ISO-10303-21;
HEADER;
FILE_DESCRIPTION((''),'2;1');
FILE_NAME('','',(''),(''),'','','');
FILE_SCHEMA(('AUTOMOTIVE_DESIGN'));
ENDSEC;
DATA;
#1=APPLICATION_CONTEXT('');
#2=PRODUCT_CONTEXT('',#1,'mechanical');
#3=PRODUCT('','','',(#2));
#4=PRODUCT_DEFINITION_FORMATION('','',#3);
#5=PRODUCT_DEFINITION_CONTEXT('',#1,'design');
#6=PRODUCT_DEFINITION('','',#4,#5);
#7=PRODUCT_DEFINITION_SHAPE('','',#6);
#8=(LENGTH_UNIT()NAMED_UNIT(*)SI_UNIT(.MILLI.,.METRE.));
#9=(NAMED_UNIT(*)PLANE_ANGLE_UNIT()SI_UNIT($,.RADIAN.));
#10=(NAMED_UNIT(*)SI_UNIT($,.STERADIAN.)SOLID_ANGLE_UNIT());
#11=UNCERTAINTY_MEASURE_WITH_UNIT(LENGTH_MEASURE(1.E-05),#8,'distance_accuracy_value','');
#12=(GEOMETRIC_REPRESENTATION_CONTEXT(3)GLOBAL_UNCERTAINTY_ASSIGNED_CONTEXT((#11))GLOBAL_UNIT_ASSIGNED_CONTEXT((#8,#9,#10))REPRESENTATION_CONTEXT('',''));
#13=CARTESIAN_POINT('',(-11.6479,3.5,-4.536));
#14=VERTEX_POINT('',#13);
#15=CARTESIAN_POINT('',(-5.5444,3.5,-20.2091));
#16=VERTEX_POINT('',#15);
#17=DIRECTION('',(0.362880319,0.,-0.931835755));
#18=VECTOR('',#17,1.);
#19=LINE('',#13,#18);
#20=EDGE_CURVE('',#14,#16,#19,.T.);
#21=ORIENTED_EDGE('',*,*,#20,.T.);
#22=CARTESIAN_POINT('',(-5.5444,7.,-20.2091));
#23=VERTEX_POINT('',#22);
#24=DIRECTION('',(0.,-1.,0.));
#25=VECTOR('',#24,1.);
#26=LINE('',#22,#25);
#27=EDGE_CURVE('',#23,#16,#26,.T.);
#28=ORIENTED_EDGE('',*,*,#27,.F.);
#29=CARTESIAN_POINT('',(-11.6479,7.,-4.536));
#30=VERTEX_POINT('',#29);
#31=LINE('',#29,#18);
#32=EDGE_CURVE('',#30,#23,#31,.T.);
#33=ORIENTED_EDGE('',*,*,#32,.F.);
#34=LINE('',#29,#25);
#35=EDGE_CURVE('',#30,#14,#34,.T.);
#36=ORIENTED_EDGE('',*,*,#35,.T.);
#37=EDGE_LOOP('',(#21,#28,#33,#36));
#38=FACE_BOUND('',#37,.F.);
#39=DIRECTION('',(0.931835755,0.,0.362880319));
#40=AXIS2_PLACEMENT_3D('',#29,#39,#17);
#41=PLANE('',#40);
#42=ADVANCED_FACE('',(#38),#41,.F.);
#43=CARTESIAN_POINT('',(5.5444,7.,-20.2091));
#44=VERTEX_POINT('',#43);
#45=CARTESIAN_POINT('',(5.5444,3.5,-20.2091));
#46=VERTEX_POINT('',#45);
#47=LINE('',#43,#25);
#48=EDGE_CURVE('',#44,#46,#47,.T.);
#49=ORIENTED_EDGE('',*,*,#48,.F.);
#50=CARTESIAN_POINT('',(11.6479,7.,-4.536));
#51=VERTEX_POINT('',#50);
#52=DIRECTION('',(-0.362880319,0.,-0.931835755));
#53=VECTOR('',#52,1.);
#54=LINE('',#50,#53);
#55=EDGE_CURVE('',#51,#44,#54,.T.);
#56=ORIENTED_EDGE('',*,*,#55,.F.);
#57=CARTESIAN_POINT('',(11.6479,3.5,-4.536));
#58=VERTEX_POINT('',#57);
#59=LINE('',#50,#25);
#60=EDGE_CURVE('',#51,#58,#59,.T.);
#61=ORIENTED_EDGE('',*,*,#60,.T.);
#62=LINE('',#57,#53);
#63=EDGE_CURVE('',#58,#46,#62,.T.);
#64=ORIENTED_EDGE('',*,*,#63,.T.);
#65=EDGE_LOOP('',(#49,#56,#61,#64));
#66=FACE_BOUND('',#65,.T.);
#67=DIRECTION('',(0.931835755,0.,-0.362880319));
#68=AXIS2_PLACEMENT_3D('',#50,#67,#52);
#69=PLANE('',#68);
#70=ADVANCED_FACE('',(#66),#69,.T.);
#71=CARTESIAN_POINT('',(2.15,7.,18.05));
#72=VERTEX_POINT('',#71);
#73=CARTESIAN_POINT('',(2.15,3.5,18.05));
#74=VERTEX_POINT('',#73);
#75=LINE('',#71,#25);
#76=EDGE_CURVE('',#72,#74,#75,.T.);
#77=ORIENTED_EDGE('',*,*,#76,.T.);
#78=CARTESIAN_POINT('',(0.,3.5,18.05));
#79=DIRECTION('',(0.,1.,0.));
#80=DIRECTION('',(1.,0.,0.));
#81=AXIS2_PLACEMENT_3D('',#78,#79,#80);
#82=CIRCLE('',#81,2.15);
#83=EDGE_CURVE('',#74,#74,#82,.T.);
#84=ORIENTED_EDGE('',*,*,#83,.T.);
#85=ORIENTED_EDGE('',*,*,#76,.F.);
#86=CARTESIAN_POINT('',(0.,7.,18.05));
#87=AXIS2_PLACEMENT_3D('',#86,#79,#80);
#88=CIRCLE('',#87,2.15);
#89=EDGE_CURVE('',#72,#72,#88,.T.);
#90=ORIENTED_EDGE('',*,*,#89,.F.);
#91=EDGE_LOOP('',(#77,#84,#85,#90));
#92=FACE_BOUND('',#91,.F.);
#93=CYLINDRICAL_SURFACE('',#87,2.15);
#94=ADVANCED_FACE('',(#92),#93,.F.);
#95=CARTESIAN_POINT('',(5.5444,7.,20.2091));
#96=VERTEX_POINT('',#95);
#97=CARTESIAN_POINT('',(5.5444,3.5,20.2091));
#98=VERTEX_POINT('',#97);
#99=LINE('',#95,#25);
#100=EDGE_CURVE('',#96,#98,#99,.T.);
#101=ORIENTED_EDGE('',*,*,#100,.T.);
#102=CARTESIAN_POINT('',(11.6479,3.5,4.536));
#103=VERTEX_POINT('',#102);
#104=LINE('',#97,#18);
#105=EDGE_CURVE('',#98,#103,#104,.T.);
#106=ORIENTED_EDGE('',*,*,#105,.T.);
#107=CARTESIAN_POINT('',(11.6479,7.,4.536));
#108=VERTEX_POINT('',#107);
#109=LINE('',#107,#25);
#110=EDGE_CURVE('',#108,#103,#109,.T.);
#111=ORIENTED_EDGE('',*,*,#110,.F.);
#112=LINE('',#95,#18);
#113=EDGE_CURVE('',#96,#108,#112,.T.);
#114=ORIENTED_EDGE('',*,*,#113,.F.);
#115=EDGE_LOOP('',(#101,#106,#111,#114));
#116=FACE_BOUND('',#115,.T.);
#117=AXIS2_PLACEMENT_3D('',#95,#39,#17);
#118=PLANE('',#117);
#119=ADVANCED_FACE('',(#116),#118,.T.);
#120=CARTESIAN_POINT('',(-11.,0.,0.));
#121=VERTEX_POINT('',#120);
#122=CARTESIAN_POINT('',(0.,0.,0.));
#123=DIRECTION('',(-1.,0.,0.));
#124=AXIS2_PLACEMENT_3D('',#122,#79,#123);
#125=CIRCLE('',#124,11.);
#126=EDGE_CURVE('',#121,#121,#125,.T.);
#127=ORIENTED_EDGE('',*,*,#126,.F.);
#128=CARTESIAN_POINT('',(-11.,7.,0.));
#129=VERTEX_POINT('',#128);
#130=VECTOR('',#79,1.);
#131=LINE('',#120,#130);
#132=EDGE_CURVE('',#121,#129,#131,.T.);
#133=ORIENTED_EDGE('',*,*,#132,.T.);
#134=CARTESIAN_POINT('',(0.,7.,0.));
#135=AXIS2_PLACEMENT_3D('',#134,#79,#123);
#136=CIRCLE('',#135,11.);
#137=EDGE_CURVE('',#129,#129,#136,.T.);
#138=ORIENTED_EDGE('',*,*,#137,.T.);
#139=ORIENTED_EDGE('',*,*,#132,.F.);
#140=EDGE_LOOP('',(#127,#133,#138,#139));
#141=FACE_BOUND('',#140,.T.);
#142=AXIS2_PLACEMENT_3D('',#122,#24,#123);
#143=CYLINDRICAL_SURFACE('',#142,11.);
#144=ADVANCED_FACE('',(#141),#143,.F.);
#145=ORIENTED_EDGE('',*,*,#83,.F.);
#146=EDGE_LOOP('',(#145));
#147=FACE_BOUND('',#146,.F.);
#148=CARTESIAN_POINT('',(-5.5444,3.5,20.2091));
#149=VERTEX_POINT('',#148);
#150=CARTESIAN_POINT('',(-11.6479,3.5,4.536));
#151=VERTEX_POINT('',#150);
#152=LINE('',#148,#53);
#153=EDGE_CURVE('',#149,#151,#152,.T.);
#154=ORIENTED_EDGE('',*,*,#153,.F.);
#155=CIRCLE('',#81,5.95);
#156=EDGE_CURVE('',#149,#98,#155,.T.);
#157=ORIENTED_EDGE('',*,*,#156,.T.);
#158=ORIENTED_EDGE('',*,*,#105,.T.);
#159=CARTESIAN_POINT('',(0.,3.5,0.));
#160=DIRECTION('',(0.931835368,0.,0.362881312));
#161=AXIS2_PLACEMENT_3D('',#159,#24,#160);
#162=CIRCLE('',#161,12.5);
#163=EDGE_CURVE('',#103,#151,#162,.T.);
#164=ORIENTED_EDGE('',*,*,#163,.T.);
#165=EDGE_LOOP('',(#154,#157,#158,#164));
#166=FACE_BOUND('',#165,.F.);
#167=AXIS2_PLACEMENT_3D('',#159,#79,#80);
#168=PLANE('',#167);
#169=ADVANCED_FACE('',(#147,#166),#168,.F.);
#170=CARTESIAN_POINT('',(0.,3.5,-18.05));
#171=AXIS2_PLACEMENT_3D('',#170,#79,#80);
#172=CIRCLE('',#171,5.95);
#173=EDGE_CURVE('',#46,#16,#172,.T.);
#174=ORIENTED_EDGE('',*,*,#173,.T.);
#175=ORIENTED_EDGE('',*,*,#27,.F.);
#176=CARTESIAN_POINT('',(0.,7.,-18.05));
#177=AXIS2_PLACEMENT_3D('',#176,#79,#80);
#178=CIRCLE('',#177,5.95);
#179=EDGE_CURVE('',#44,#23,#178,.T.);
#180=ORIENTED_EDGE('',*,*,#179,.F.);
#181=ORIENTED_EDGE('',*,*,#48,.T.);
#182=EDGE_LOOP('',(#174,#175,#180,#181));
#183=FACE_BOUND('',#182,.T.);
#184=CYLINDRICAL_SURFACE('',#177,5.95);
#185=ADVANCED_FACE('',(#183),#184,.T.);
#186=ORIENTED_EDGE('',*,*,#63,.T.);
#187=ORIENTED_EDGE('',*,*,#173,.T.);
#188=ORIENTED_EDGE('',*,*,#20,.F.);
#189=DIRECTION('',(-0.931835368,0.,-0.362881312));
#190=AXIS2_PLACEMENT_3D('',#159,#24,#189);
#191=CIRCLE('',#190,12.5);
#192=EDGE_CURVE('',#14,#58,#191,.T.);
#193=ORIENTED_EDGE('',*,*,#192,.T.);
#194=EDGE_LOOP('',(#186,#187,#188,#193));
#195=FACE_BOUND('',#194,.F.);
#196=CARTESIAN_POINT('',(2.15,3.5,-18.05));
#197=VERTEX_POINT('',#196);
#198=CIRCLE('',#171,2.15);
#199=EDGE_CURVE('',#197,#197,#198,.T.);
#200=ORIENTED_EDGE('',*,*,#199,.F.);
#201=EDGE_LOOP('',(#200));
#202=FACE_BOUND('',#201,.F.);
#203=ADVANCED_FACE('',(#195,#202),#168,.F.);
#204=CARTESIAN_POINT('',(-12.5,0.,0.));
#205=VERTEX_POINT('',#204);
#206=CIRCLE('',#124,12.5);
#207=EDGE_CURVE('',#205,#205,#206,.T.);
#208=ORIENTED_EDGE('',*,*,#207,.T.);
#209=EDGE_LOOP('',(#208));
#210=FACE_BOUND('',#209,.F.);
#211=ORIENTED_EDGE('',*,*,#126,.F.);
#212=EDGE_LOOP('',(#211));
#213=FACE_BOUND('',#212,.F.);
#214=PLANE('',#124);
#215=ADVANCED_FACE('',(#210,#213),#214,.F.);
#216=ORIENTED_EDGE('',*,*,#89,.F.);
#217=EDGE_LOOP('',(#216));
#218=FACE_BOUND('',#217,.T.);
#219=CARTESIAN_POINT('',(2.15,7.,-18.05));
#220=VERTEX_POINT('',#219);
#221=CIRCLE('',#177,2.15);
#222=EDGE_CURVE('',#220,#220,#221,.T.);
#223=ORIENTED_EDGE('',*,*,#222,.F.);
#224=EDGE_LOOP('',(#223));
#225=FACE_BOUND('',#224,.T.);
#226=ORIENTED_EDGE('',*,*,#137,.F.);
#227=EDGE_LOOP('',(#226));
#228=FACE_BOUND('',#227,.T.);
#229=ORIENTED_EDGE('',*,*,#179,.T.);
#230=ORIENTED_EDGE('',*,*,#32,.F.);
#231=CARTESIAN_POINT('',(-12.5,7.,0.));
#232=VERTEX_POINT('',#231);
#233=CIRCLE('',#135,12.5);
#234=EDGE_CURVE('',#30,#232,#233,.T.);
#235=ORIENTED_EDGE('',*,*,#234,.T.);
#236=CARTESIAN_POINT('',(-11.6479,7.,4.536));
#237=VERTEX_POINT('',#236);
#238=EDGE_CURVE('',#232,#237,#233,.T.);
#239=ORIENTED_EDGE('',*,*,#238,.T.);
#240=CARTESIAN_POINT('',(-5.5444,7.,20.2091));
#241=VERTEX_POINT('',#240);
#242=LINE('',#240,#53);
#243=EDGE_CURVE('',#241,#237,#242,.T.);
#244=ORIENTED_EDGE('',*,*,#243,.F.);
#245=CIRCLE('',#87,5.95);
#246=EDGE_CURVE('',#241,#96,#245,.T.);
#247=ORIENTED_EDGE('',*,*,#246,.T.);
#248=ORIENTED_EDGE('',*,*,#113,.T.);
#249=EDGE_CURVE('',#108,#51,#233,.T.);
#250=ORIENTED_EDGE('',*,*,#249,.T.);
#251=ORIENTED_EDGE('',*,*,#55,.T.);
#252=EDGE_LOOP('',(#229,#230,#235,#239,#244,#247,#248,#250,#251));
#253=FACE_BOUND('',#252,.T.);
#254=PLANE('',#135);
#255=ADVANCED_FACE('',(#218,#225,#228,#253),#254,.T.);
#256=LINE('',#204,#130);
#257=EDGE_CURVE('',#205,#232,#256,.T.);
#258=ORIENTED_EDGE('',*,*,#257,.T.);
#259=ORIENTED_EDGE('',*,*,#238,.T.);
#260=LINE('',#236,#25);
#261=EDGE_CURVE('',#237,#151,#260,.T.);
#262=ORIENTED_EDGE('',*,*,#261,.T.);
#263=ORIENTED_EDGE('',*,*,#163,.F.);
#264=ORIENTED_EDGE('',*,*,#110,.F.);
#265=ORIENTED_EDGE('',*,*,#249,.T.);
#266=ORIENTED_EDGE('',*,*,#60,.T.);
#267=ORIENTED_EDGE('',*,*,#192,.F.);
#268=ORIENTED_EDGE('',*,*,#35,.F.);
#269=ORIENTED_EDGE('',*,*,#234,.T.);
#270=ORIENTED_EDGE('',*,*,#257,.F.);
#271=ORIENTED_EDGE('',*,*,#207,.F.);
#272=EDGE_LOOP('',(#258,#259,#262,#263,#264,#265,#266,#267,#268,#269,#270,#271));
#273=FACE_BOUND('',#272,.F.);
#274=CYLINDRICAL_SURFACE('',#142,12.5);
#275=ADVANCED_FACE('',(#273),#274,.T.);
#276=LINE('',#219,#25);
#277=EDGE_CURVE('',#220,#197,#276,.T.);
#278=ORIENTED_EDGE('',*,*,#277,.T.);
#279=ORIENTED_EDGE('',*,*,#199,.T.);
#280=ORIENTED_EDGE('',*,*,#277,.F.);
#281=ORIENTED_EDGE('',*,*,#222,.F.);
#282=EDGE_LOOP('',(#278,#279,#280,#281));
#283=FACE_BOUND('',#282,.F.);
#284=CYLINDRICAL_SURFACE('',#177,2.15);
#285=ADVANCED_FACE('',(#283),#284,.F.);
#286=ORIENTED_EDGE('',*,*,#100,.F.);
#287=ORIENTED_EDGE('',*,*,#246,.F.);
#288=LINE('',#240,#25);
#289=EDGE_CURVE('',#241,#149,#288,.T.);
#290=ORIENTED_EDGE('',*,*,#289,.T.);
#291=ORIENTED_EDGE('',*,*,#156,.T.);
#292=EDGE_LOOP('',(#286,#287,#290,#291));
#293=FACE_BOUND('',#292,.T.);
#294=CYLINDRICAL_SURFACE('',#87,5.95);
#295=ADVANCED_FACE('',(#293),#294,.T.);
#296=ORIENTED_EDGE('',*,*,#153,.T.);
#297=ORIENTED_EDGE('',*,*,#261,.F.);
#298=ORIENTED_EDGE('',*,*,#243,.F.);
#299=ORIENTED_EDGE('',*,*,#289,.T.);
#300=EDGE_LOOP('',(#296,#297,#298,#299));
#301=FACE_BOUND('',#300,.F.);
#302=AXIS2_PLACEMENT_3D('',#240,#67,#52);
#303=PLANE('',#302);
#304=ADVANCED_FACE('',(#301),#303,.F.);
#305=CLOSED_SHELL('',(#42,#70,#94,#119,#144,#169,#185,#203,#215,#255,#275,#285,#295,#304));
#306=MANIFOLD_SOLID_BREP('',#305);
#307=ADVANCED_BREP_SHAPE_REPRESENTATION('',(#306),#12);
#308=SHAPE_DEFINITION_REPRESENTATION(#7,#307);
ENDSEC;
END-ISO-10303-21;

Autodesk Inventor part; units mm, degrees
ref_plane "YZ Plane" through (0, 0, 0) normal (1, 0, 0) x (0, 1, 0)
ref_plane "XZ Plane" through (0, 0, 0) normal (0, 1, 0) x (-1, 0, 0)
ref_plane "XY Plane" through (0, 0, 0) normal (0, 0, 1) x (1, 0, 0)
sketch "Sketch1" plane through (0, 0, 0) normal (0, 1, 0) x (-1, 0, 0)
  circle A0 centre (0, 0) radius 11
  circle A1 centre (0, 0) radius 12.5
  dimension "d0" = 22
  dimension "d1" = 25
extrude "Extrusion1" add sketch "Sketch1" along normal blind 7
sketch "Sketch2" plane through (0, 7, 0) normal (0, 1, 0) x (1, 0, 0)
  circle A0 centre (0, -18.05) radius 2.15
  circle A1 centre (0, 18.05) radius 2.15
  circle A2 centre (0, -18.05) radius 5.95
  circle A3 centre (0, 18.05) radius 5.95
  line L0 (-5.5444, -20.2091) -> (-11.6479, -4.536)
  line L1 (5.5444, -20.2091) -> (11.6479, -4.536)
  line L2 (-11.6479, 4.536) -> (-5.5444, 20.2091)
  line L3 (11.6479, 4.536) -> (5.5444, 20.2091)
  circle A4 centre (0, 0) radius 12.5 projected
  dimension "d4" = 4.3
  dimension "d5" = 4.3
  dimension "d6" = 0
  dimension "d7" = 0
  dimension "d8" = 18.05
  dimension "d9" = 18.05
  dimension "d10" = 3.8
  dimension "d11" = 3.8
extrude "Extrusion2" add sketch "Sketch2" against normal blind 3.5 contours A2 A4 | L0 A4 A2 | A2 A4 L1 | L2 A3 A4 | A3 A4 | A4 A3 L3 picked at (3.4679, -21.155) picked at (3.4679, 21.155)
properties part number "chumacera"
